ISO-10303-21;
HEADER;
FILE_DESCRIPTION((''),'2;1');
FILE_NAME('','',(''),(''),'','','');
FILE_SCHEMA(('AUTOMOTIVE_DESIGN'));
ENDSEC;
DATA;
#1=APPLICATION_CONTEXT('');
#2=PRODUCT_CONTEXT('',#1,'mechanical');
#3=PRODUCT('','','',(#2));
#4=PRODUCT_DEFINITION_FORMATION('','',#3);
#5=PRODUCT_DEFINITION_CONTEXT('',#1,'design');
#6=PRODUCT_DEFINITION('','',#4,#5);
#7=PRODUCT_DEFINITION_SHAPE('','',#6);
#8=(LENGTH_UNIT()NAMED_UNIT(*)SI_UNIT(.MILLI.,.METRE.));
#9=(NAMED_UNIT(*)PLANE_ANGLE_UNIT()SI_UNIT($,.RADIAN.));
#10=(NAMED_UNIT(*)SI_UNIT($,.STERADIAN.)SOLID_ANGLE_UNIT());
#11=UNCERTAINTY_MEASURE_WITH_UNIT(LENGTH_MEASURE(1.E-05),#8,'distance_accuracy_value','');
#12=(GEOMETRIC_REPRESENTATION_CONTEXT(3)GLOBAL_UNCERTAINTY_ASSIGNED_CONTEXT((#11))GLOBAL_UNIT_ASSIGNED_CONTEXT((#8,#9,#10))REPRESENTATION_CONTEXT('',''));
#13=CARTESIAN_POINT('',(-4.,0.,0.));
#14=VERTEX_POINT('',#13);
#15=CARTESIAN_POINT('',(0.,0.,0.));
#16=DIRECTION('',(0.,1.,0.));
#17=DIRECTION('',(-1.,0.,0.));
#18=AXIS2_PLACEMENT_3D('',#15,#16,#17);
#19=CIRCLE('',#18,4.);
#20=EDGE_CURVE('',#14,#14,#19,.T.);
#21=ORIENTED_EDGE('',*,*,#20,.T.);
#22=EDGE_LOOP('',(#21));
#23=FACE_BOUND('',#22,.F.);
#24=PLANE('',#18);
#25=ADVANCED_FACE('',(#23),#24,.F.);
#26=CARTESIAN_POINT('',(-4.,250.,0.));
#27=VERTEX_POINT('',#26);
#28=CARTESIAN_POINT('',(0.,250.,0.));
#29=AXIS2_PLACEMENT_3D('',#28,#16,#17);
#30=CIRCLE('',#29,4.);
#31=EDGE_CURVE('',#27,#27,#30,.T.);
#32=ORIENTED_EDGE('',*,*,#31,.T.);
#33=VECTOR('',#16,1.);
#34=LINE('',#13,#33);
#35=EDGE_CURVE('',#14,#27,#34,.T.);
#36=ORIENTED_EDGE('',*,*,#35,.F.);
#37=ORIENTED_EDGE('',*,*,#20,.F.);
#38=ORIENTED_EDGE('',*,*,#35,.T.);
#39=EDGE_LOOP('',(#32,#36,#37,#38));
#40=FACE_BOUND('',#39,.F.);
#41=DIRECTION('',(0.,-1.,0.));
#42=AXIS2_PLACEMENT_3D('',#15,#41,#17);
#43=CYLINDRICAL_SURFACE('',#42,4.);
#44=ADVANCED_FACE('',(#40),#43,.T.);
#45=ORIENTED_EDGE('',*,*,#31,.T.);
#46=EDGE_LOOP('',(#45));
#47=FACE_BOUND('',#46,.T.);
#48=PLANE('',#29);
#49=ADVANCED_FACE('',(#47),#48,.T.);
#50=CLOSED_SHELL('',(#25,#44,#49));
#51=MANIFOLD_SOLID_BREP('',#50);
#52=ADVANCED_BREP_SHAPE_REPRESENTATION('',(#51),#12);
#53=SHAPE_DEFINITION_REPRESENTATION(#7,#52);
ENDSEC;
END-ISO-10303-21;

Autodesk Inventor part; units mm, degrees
ref_plane "YZ Plane" through (0, 0, 0) normal (1, 0, 0) x (0, 1, 0)
ref_plane "XZ Plane" through (0, 0, 0) normal (0, 1, 0) x (-1, 0, 0)
ref_plane "XY Plane" through (0, 0, 0) normal (0, 0, 1) x (1, 0, 0)
sketch "Sketch1" plane through (0, 0, 0) normal (0, 1, 0) x (-1, 0, 0)
  circle A0 centre (0, 0) radius 4
  dimension "d0" = 8
extrude "Extrusion1" add sketch "Sketch1" along normal blind 250
thread "Thread1" size "M8x1.25" class "6g" standard "ISO Metric profile" full length
equation "\"sm_thickness\" = 1.5875"
equation "\"very_thick_acrylic\" = 9.45"
equation "\"thick_acrylic\" = 5.88"
equation "\"thin_acrylic\" = 3.15"
equation "\"clear_acrylic\" = 3.15"
equation "\"wood_thickness\" = 6.72"
equation "\"m3_diameter\" = 3"
equation "\"m3_head\" = 6"
equation "\"m4_diameter\" = 4"
equation "\"m5_diameter\" = 5"
equation "\"m5_head\" = 10.3"
equation "\"brass_insert_drill\" = 4"
equation "\"m5_brass_insert_drill\" = 6.7"
equation "\"m3_press_nut_drill\" = 4.5"
equation "\"m5_press_nut_drill\" = 6.5"
equation "\"m3_main_length\" = 14"
equation "\"m3_main_nut_width\" = 5.7"
equation "\"m3_main_nut_thickness\" = 2.5"
equation "\"m3_main_extra\" = 1"
equation "\"stepper_screw_space\" = 35"
equation "\"stepper_shaft_diameter\" = 5"
equation "\"stepper_body_diameter\" = 28"
equation "\"laser_body_diameter\" = 12"
equation "\"carrier_y\" = 251"
equation "\"carrier_z\" = 12"
equation "\"visor_x\" = 253.925"
equation "\"visor_y\" = 85.6"
equation "\"window_z\" = 332.225"
equation "\"window_y\" = 93.75"
equation "\"window_overlap\" = 48"
equation "\"acrylic_into_frame\" = 5"
equation "\"door_x\" = 251"
equation "\"door_z\" = 332.225"
equation "\"door_overlap\" = 48"
equation "\"reservoir_z\" = 35"
equation "\"linear_bearing_spacing\" = 208"
equation "\"motor_spacing\" = 337"
equation "\"tray_border\" = 25"
equation "\"bed_z\" = 25"
equation "\"crane_x\" = 233"
equation "\"crane_z2\" = 12"
equation "\"end_stop_spacing\" = 19"
equation "\"thumb_nut_offset_y\" = 0"
equation "\"thumb_nut_diameter\" = 7"
equation "\"z_min_from_center\" = 115"
equation "\"frame_top_z\" = 385"
equation "\"frame_bottom_z\" = 275"
equation "\"frame_total_z\" = 661.5875"
equation "\"frame_foot_z\" = 12"
equation "\"frame_tilt\" = 1deg"
equation "\"printer_z\" = 289"
equation "\"lcd_x\" = 72"
equation "\"lcd_y\" = 25"
equation "\"subframe_x\" = 66"
equation "\"subframe_y_offset\" = 27.5"
equation "\"laser_y_offset\" = 19.4"
equation "\"laser_diameter\" = 13"
equation "\"laser_z_offset\" = 55"
equation "\"laser_y\" = 15"
equation "\"laser_z\" = 75"
equation "\"t_galvo_frame\" = 6.72"
equation "\"galvo_frame_x\" = 66"
equation "\"galvo_frame_z\" = 85"
equation "\"galvo_frame_y_offset\" = 27.5"
equation "\"drawer_x\" = 202.02372"
equation "\"drawer_y\" = 73"
equation "\"drawer_z_from_bottom\" = 25"
equation "\"nema17_x\" = 43"
equation "\"drawer_support_from_top\" = 48"
equation "\"laser_gap\" = 1"
equation "\"frame_screw_from_center\" = 25"
equation "\"drawer_screw_from_center\" = 55"
equation "\"frame_face_y\" = 45"
equation "\"switch_spacing\" = 19"
equation "\"subframe_y\" = 55"
equation "\"al_thickness\" = 1.5875"
equation "\"rivet_diameter\" = 3.3"
equation "\"bend_factor\" = 2.26205"
equation "\"sm_bend\" = 3.591"
equation "\"al_bend\" = 3.591"
equation "\"frame_x\" = 353.375"
equation "\"carrier_z2\" = 25"
equation "\"carrier_y2\" = 76.825"
equation "\"injection_plastic\" = 3.15"
equation "\"subframe_t\" = 0.79375"
equation "\"laser_offset_y\" = 8.5"
equation "\"laser_offset_x\" = 59"
equation "\"laser_holder_z\" = 75"
equation "\"laser_holder_t\" = 0.91186"
equation "\"drawer_seal_y\" = 101"
equation "\"foot_x\" = 198"
equation "\"foot_y\" = 196"
equation "\"foot_t\" = 0.91186"
equation "\"lmk8uu_x\" = 25"
equation "\"galvo_y_out_offset\" = 27"
equation "\"lmk8uu_z\" = 24"
equation "\"acme_nut_upper_d\" = 12.7"
equation "\"frame_front_fold\" = 15"
equation "\"reservoir_t\" = 0.91186"
equation "\"platform_z\" = 65"
equation "\"platform_fold_x\" = 15"
equation "\"platform_upper_y\" = 46.625"
equation "\"tray_to_platform_oversize\" = 0"
equation "\"frame_back_t\" = 0.91186"
equation "\"frame_gap\" = 0.1"
equation "\"drawer_reservoir_overlap_x\" = 24.08814"
equation "\"frame_front_t\" = 0.91186"
equation "\"frame_back_z\" = 497.97628"
equation "\"frame_back_y\" = 53.97628"
equation "\"frame_back_x\" = 277.97628"
equation "\"drawer_gap\" = 0.1"
equation "\"drawer_t\" = 0.91186"
equation "\"drawer_window_gap\" = 6"
equation "\"acme_nut_d\" = 19.1"
equation "\"shf8_y\" = 43"
equation "\"galvo_y_in_offset\" = 17.5"
equation "\"nema17_shaft\" = 24"
equation "\"lmk8uu_shaft\" = 15"
equation "\"reservoir_flap_y\" = 20.91186"
equation "\"crane_gap\" = 0.1"
properties part number "threaded_rod"
